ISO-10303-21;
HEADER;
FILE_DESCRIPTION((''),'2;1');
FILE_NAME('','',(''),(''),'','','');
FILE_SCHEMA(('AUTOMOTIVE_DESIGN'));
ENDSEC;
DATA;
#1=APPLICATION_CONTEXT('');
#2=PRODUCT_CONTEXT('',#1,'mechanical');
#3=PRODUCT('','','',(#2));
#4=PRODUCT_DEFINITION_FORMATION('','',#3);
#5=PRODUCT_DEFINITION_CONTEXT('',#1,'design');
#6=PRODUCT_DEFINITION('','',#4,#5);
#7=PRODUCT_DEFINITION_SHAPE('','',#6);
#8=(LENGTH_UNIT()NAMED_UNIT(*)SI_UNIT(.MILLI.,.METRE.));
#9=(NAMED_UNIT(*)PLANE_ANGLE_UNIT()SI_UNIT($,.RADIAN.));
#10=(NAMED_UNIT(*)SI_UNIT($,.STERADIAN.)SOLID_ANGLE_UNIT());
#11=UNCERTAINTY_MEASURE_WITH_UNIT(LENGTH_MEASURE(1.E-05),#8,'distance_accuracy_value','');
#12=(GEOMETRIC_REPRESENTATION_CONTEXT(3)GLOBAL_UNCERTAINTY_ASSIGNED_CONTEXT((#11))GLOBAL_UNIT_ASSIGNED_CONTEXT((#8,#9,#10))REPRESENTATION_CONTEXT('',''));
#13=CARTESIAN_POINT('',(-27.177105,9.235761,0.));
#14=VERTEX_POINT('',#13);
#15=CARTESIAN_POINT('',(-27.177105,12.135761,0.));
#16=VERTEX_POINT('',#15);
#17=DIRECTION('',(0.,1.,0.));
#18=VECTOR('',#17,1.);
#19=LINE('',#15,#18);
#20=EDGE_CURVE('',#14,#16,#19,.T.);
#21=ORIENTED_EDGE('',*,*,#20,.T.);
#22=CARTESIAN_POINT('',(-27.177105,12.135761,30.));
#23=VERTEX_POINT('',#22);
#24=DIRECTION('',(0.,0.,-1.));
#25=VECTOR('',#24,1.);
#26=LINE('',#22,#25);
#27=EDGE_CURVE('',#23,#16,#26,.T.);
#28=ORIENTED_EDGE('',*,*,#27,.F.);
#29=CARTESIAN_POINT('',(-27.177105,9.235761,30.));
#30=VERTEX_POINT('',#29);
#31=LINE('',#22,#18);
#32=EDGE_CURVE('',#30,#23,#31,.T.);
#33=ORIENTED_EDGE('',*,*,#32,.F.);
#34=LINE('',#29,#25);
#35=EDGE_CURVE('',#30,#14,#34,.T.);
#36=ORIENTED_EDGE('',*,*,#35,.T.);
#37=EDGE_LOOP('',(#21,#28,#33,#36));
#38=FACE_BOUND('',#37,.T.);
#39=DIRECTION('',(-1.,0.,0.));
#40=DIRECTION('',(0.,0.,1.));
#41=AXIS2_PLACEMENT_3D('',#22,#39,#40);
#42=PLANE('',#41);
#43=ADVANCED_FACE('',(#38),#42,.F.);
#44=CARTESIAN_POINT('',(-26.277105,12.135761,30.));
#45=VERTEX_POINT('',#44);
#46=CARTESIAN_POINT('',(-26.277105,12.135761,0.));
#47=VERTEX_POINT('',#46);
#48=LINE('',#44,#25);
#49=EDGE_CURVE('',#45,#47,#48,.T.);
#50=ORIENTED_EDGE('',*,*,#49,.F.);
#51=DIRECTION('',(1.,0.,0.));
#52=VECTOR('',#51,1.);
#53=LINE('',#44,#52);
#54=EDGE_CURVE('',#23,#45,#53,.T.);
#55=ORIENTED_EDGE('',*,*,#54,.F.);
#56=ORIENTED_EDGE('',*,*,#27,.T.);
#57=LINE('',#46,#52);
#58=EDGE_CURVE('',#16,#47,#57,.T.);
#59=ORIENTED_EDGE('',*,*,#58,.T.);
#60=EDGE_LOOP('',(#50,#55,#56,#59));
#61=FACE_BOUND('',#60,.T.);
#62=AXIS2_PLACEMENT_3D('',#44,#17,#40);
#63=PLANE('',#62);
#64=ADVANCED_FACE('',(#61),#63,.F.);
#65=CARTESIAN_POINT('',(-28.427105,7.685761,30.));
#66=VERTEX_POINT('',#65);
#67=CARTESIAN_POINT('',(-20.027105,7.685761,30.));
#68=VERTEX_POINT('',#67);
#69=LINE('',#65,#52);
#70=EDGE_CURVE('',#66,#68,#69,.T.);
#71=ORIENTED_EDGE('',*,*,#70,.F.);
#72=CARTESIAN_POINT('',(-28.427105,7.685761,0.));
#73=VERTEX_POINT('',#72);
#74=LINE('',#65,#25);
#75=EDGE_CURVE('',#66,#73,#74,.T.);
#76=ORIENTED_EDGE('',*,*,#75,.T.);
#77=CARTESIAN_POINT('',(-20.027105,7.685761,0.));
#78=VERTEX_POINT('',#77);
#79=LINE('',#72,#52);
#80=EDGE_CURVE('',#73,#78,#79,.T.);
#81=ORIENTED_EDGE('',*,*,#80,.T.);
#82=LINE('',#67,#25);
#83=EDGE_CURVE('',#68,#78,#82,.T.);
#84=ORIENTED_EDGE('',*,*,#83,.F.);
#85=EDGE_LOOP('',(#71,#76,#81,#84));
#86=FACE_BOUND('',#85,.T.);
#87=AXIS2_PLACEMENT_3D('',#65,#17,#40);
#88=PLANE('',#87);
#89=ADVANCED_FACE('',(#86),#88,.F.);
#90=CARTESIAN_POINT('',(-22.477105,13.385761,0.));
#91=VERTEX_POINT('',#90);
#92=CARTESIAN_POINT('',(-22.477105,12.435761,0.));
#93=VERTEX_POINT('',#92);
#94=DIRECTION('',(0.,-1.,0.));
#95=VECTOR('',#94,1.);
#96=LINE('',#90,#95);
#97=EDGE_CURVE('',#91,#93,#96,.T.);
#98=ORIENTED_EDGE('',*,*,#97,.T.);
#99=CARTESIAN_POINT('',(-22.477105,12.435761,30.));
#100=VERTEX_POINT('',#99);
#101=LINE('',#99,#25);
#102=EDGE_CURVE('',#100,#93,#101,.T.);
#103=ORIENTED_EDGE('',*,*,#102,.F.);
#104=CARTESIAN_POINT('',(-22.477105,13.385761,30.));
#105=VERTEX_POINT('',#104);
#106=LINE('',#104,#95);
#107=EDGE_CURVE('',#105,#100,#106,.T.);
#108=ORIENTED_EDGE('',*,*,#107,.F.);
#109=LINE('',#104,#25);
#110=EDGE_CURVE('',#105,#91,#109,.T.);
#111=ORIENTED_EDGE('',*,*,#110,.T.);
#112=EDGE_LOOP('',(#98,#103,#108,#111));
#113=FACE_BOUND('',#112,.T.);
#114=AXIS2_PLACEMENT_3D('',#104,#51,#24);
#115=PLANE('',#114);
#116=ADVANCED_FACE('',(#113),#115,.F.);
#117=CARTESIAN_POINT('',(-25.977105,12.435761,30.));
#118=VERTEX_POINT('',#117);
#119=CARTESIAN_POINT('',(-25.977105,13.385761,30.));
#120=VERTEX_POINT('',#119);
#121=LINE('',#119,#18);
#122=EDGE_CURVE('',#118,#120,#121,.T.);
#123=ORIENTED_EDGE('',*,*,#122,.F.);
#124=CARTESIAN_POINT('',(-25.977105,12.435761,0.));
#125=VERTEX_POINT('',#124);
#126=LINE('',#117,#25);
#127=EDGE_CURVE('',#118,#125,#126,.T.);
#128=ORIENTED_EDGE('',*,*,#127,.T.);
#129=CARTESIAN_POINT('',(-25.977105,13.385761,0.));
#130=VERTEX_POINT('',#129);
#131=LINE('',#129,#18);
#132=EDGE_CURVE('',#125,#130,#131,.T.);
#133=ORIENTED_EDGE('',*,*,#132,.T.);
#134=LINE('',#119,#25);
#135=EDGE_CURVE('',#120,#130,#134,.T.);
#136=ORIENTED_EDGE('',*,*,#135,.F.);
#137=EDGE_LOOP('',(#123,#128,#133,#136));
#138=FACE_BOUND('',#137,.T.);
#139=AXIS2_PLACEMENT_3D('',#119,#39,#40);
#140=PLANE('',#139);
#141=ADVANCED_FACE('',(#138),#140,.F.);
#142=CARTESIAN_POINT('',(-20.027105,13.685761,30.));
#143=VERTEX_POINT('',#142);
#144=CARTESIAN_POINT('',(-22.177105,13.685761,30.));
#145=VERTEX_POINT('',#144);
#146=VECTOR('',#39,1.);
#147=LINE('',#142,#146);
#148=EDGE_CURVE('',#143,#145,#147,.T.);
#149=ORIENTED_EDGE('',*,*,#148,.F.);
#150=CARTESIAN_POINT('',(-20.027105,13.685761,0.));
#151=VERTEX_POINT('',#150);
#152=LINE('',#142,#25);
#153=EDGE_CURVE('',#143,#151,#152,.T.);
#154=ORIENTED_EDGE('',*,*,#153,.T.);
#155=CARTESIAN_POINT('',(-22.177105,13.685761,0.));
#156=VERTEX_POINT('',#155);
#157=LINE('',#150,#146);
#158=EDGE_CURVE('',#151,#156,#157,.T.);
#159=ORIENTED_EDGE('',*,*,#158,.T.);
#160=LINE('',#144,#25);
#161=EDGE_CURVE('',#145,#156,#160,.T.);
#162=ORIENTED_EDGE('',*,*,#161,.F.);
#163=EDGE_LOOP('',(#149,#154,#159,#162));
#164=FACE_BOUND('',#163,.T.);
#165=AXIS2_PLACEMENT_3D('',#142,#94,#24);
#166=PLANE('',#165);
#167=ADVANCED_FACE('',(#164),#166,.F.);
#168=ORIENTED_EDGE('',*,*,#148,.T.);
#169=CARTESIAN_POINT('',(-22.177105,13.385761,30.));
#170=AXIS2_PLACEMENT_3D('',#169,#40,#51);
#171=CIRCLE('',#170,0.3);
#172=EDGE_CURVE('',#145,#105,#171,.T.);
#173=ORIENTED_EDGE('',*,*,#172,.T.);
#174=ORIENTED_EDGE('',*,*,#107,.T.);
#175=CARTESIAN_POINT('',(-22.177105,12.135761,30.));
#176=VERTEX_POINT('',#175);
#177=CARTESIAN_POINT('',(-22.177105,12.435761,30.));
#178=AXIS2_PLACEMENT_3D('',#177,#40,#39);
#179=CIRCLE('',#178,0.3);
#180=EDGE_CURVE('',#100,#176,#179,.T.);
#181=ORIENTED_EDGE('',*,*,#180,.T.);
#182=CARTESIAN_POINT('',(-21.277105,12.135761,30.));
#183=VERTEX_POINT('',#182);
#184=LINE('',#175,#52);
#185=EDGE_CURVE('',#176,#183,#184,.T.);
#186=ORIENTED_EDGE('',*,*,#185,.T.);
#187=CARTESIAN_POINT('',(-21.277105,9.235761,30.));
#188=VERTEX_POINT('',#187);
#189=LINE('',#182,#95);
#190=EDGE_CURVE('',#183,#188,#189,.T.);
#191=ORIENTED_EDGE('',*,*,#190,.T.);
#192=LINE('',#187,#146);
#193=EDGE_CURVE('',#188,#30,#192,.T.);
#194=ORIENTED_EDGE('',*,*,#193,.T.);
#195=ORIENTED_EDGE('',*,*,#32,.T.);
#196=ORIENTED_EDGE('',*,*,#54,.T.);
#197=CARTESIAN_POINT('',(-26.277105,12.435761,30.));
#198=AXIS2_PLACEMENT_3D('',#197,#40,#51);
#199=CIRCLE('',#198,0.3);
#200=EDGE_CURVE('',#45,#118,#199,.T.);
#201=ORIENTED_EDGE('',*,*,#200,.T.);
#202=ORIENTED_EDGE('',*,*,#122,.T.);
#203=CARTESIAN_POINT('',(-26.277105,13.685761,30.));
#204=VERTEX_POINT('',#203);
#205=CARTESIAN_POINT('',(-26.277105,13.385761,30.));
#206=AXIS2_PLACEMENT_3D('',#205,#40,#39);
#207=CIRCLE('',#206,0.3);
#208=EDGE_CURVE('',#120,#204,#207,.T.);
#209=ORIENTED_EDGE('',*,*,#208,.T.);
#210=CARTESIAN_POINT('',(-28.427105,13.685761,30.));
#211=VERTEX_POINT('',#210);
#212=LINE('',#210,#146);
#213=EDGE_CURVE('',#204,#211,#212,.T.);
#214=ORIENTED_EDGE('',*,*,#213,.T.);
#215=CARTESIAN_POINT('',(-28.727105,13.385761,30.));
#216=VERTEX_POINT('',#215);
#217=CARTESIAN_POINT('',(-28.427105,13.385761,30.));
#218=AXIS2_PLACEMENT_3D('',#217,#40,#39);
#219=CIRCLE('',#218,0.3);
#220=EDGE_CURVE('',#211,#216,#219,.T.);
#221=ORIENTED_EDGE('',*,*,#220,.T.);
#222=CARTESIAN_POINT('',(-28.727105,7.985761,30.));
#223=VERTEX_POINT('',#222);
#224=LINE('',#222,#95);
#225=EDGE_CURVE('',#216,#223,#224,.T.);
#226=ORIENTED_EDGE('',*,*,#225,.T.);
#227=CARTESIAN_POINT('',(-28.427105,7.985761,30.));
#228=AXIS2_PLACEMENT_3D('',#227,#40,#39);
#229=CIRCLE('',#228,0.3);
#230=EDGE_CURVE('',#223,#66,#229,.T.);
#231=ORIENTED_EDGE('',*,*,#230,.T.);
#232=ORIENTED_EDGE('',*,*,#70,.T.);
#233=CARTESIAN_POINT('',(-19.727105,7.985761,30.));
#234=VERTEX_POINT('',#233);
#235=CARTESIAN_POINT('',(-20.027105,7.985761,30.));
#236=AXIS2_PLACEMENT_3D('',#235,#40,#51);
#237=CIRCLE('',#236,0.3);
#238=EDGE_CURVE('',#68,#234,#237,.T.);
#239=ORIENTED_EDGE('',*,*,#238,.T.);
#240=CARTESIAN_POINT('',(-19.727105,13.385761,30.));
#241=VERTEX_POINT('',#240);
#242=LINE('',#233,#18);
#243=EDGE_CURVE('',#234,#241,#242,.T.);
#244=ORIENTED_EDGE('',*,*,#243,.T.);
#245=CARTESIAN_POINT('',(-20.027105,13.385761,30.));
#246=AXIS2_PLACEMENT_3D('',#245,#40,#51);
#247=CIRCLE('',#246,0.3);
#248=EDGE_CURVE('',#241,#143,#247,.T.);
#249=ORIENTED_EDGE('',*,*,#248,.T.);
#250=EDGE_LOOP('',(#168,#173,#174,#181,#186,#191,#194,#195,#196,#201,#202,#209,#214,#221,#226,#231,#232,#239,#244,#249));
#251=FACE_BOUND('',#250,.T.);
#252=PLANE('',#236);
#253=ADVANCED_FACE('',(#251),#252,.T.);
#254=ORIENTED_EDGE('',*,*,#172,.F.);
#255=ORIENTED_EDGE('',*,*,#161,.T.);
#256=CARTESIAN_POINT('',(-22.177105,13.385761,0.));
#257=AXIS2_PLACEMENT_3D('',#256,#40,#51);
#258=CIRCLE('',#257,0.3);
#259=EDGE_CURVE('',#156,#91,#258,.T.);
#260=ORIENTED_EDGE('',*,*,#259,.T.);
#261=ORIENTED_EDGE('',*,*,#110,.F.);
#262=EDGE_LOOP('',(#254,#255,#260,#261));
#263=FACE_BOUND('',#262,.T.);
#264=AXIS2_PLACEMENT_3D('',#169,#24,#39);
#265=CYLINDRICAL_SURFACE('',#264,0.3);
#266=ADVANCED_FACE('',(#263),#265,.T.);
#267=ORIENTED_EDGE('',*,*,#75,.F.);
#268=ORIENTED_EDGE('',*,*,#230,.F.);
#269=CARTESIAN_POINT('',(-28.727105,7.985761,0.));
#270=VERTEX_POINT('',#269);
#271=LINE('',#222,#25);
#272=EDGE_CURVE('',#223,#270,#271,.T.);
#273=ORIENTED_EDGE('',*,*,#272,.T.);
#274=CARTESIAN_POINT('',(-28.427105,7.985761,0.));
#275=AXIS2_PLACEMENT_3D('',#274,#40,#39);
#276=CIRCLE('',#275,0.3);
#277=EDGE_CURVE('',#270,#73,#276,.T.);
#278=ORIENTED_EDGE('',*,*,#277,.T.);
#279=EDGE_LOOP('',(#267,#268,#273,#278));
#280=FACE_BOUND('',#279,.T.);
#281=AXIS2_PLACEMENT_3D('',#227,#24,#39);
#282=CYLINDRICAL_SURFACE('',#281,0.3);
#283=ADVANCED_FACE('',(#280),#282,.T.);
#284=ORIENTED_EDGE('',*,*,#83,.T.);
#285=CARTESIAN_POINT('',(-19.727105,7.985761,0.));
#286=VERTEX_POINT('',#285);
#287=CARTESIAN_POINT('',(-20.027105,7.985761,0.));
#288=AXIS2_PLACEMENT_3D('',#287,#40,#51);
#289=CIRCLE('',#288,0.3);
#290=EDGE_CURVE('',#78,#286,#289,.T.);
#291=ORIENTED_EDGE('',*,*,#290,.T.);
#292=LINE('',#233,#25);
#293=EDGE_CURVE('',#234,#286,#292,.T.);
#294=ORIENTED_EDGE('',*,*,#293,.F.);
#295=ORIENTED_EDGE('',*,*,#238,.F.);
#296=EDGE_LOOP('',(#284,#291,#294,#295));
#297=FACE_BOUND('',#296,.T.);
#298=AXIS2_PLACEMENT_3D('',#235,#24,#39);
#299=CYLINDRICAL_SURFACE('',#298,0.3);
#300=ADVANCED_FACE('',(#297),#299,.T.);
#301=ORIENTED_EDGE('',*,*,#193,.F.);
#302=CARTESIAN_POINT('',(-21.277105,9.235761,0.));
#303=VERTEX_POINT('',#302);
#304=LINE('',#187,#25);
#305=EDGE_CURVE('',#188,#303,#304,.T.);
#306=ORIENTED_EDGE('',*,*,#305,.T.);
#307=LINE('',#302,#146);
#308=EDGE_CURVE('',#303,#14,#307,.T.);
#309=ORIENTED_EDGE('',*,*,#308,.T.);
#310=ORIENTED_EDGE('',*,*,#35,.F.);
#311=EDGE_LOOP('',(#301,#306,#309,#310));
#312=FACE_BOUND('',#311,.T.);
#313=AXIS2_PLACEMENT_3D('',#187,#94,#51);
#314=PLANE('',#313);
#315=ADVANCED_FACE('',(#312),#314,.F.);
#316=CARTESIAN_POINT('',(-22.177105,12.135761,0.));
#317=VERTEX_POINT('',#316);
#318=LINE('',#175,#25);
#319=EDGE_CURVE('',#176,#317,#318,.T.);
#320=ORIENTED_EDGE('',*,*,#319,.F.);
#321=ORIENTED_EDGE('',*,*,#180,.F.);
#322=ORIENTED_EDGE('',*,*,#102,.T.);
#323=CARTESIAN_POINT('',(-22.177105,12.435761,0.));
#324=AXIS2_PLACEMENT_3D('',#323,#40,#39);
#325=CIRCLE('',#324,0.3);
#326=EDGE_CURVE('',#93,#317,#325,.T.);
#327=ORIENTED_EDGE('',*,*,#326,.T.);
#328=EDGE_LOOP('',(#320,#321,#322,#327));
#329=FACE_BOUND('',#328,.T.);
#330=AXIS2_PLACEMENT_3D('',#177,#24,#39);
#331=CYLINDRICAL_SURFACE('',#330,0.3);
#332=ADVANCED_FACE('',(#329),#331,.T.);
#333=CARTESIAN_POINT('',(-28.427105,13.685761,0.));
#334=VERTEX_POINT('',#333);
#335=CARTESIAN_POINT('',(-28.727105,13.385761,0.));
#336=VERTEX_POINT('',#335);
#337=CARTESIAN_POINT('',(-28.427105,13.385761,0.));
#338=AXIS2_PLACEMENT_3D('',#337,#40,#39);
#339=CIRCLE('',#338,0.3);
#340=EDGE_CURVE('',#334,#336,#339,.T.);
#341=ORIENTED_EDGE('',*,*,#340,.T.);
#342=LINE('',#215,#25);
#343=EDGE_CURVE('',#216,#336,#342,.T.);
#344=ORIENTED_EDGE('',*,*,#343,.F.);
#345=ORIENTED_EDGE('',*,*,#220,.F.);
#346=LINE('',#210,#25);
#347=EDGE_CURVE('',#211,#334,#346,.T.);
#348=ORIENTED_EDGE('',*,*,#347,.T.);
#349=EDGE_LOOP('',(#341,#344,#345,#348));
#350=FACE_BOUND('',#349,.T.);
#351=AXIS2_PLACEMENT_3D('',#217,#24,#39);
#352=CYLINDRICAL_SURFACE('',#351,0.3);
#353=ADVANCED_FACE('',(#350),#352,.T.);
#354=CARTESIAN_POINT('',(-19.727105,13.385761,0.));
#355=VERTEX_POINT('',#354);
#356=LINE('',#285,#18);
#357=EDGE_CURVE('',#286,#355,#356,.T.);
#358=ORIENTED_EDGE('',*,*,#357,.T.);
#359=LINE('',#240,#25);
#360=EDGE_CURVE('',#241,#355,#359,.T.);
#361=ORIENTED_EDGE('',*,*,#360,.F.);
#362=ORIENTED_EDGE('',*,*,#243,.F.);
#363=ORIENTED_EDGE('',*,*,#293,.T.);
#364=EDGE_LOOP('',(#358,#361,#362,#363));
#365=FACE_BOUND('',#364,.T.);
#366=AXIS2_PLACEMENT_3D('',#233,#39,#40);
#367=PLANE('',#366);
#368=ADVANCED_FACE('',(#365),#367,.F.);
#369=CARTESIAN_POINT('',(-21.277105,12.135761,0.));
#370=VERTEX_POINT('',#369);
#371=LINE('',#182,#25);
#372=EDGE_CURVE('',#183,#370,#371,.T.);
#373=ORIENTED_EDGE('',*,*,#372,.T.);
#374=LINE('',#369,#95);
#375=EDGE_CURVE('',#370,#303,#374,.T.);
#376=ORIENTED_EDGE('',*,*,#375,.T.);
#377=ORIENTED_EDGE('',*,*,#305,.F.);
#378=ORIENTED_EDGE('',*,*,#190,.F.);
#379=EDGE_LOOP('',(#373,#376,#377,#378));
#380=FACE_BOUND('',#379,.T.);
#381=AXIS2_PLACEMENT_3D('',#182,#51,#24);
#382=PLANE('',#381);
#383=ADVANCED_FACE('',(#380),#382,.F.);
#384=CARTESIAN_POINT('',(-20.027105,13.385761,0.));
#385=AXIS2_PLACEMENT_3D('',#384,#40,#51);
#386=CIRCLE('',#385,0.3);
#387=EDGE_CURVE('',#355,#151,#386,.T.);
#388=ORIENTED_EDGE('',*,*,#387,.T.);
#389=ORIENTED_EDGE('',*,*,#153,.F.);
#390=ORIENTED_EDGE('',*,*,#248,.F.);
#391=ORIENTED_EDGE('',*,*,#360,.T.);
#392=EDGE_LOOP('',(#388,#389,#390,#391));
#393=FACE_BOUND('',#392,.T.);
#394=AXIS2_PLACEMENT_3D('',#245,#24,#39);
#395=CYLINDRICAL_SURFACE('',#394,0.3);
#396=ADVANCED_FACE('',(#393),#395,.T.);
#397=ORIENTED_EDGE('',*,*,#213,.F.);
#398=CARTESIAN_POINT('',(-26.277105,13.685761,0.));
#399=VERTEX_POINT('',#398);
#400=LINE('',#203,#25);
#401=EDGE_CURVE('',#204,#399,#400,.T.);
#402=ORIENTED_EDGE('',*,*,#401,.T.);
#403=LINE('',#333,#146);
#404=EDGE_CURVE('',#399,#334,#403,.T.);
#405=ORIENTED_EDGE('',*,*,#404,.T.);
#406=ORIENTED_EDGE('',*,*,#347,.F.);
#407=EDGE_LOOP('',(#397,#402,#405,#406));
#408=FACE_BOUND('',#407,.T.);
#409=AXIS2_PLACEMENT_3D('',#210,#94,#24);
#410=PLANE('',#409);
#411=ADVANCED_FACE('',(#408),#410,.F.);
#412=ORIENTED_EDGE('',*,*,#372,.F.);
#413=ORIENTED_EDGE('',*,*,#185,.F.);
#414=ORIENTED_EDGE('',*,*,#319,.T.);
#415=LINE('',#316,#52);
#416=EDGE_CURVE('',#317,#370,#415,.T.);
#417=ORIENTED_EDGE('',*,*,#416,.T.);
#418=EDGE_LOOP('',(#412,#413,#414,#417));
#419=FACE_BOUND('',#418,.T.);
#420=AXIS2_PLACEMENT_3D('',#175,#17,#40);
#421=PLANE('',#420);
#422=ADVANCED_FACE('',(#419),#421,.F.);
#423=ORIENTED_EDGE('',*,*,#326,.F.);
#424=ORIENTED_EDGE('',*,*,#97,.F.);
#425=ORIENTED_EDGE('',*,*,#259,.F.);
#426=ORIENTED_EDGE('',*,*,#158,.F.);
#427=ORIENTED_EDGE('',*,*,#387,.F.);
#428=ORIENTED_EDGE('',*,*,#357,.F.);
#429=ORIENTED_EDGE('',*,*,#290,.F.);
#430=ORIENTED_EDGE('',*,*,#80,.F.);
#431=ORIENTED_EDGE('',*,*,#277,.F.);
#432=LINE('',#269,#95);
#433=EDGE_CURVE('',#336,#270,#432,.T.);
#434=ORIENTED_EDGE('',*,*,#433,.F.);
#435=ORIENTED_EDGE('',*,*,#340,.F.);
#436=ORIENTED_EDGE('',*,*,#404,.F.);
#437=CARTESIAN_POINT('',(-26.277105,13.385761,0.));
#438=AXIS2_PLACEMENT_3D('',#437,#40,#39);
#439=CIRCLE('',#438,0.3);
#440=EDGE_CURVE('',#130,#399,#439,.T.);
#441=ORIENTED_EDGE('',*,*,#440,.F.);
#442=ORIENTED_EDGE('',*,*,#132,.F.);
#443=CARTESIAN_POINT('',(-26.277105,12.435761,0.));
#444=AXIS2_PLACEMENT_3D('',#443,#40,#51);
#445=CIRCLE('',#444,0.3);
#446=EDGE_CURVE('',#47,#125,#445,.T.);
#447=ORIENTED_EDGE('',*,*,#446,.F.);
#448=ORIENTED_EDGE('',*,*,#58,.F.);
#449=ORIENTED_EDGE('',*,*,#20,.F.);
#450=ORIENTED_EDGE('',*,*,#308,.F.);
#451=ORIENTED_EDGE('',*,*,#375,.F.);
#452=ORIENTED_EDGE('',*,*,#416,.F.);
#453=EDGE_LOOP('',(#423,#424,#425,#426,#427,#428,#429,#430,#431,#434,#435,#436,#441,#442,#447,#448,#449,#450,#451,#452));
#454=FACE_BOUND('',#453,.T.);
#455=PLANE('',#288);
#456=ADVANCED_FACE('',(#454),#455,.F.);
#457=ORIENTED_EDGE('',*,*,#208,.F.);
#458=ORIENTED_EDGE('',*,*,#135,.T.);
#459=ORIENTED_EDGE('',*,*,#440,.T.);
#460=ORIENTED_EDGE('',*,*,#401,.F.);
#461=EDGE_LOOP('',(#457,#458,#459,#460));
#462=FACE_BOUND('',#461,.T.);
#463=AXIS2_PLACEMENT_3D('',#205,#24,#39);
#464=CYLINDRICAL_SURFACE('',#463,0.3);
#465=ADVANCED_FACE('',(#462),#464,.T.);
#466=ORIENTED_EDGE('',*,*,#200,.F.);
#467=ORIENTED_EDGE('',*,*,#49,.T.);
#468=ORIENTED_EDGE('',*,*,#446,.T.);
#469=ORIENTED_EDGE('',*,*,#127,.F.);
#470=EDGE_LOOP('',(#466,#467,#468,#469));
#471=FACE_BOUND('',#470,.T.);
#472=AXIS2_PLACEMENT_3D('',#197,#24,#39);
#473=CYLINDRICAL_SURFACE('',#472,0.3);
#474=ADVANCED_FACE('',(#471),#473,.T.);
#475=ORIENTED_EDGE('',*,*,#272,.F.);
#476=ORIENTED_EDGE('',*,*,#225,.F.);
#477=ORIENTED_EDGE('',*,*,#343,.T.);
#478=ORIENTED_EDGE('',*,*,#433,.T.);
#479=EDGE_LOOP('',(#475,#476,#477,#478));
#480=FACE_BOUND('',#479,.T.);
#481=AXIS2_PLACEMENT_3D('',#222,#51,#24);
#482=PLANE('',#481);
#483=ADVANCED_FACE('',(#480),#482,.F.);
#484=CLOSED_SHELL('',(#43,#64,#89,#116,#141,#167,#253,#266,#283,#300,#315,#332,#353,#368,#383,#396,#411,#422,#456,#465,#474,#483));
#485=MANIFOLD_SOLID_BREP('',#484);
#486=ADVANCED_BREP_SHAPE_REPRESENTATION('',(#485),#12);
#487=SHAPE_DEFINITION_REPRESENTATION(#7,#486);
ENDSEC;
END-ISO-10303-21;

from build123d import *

# Parameters (mm, degrees)
EXTRUDE_1_DEPTH = 30


with BuildPart() as part:
    # 草图1 → 凸台-拉伸1 (new body)
    with BuildSketch(Plane.XY):
        with BuildLine():
            Line((-28.427104886, 7.685760518), (-20.027104886, 7.685760518))
            ThreePointArc((-20.027104886, 7.685760518), (-19.814972852, 7.773628483), (-19.727104886, 7.985760518))
            Line((-19.727104886, 7.985760518), (-19.727104886, 13.385760518))
            ThreePointArc((-19.727104886, 13.385760518), (-19.814972852, 13.597892552), (-20.027104886, 13.685760518))
            Line((-20.027104886, 13.685760518), (-22.177104886, 13.685760518))
            ThreePointArc((-22.177104886, 13.685760518), (-22.389236921, 13.597892552), (-22.477104886, 13.385760518))
            Line((-22.477104886, 13.385760518), (-22.477104886, 12.435760518))
            ThreePointArc((-22.477104886, 12.435760518), (-22.389236921, 12.223628483), (-22.177104886, 12.135760518))
            Line((-22.177104886, 12.135760518), (-21.277104886, 12.135760518))
            Line((-21.277104886, 12.135760518), (-21.277104886, 9.235760518))
            Line((-21.277104886, 9.235760518), (-27.177104886, 9.235760518))
            Line((-27.177104886, 9.235760518), (-27.177104886, 12.135760518))
            Line((-27.177104886, 12.135760518), (-26.277104886, 12.135760518))
            ThreePointArc((-26.277104886, 12.135760518), (-26.064972852, 12.223628483), (-25.977104886, 12.435760518))
            Line((-25.977104886, 12.435760518), (-25.977104886, 13.385760518))
            ThreePointArc((-25.977104886, 13.385760518), (-26.064972852, 13.597892552), (-26.277104886, 13.685760518))
            Line((-26.277104886, 13.685760518), (-28.427104886, 13.685760518))
            ThreePointArc((-28.427104886, 13.685760518), (-28.639236921, 13.597892552), (-28.727104886, 13.385760518))
            Line((-28.727104886, 13.385760518), (-28.727104886, 7.985760518))
            ThreePointArc((-28.727104886, 7.985760518), (-28.639236921, 7.773628483), (-28.427104886, 7.685760518))
        make_face()
    extrude(amount=EXTRUDE_1_DEPTH)


solid = part.part
